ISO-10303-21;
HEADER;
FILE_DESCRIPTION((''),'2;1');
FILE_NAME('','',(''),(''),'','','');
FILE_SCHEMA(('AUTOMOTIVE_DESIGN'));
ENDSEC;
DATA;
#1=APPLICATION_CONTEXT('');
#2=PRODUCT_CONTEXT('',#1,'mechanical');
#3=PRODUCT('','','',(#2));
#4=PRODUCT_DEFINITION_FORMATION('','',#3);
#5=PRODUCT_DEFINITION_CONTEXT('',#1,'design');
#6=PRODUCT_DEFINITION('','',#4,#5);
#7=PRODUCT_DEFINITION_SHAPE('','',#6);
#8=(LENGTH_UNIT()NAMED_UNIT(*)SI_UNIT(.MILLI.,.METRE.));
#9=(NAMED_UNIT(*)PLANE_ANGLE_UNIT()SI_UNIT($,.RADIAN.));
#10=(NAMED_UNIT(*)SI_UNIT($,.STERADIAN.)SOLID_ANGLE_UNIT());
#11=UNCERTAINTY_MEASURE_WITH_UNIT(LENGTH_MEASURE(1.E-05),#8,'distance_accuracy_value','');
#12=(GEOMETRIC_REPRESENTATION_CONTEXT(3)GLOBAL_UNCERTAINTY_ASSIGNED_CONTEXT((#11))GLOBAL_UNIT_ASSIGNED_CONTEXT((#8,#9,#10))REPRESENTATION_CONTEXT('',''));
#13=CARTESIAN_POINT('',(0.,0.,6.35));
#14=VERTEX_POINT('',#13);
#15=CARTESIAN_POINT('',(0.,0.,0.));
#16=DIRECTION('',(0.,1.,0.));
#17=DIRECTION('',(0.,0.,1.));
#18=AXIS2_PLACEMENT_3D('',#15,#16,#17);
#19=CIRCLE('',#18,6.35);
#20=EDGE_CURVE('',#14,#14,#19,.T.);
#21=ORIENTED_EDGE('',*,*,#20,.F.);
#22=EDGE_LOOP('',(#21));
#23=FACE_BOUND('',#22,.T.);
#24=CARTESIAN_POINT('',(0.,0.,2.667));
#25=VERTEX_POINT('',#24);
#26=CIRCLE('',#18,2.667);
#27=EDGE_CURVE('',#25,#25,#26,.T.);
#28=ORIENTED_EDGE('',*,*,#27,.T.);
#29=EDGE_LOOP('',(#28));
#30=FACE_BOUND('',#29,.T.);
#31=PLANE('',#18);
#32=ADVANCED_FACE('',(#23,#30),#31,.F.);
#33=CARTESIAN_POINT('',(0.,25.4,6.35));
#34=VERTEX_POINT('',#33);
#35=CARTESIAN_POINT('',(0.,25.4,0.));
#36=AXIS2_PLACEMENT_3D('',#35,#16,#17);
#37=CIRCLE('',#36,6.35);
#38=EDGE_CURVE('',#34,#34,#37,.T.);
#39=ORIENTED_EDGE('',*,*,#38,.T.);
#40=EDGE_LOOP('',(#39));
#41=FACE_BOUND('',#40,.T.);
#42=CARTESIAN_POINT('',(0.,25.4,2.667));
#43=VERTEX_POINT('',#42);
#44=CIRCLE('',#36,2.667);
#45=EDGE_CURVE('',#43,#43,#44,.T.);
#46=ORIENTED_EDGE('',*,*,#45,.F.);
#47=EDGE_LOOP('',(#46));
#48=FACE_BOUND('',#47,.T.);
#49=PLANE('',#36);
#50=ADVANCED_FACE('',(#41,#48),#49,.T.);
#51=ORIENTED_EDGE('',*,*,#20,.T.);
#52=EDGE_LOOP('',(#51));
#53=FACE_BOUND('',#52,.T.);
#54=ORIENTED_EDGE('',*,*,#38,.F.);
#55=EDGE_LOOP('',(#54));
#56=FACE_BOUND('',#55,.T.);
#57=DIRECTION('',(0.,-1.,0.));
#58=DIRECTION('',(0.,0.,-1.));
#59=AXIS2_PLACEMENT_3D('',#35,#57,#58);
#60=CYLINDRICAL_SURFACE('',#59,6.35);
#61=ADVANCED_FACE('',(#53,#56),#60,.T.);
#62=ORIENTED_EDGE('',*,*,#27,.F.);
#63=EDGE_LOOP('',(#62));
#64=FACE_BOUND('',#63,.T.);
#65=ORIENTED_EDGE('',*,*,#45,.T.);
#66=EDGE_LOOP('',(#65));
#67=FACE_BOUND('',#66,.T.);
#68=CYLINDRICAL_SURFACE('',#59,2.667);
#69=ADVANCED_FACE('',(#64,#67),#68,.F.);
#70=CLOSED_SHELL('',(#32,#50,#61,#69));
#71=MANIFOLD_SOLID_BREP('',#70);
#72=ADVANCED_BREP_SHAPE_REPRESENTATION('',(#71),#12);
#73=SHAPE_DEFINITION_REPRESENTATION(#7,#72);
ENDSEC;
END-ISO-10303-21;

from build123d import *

# Parameters (mm, degrees)
SKETCH1_R           = 6.35
SKETCH1_R_2         = 2.667
BOSS_EXTRUDE1_DEPTH = 25.4


with BuildPart() as part:
    # Sketch1 → Boss-Extrude1 (new body)
    with BuildSketch(Plane(origin=(0, 0, 0), x_dir=(1, 0, 0), z_dir=(0, 1, 0))):
        Circle(SKETCH1_R)
        Circle(SKETCH1_R_2, mode=Mode.SUBTRACT)
    extrude(amount=BOSS_EXTRUDE1_DEPTH)


solid = part.part
